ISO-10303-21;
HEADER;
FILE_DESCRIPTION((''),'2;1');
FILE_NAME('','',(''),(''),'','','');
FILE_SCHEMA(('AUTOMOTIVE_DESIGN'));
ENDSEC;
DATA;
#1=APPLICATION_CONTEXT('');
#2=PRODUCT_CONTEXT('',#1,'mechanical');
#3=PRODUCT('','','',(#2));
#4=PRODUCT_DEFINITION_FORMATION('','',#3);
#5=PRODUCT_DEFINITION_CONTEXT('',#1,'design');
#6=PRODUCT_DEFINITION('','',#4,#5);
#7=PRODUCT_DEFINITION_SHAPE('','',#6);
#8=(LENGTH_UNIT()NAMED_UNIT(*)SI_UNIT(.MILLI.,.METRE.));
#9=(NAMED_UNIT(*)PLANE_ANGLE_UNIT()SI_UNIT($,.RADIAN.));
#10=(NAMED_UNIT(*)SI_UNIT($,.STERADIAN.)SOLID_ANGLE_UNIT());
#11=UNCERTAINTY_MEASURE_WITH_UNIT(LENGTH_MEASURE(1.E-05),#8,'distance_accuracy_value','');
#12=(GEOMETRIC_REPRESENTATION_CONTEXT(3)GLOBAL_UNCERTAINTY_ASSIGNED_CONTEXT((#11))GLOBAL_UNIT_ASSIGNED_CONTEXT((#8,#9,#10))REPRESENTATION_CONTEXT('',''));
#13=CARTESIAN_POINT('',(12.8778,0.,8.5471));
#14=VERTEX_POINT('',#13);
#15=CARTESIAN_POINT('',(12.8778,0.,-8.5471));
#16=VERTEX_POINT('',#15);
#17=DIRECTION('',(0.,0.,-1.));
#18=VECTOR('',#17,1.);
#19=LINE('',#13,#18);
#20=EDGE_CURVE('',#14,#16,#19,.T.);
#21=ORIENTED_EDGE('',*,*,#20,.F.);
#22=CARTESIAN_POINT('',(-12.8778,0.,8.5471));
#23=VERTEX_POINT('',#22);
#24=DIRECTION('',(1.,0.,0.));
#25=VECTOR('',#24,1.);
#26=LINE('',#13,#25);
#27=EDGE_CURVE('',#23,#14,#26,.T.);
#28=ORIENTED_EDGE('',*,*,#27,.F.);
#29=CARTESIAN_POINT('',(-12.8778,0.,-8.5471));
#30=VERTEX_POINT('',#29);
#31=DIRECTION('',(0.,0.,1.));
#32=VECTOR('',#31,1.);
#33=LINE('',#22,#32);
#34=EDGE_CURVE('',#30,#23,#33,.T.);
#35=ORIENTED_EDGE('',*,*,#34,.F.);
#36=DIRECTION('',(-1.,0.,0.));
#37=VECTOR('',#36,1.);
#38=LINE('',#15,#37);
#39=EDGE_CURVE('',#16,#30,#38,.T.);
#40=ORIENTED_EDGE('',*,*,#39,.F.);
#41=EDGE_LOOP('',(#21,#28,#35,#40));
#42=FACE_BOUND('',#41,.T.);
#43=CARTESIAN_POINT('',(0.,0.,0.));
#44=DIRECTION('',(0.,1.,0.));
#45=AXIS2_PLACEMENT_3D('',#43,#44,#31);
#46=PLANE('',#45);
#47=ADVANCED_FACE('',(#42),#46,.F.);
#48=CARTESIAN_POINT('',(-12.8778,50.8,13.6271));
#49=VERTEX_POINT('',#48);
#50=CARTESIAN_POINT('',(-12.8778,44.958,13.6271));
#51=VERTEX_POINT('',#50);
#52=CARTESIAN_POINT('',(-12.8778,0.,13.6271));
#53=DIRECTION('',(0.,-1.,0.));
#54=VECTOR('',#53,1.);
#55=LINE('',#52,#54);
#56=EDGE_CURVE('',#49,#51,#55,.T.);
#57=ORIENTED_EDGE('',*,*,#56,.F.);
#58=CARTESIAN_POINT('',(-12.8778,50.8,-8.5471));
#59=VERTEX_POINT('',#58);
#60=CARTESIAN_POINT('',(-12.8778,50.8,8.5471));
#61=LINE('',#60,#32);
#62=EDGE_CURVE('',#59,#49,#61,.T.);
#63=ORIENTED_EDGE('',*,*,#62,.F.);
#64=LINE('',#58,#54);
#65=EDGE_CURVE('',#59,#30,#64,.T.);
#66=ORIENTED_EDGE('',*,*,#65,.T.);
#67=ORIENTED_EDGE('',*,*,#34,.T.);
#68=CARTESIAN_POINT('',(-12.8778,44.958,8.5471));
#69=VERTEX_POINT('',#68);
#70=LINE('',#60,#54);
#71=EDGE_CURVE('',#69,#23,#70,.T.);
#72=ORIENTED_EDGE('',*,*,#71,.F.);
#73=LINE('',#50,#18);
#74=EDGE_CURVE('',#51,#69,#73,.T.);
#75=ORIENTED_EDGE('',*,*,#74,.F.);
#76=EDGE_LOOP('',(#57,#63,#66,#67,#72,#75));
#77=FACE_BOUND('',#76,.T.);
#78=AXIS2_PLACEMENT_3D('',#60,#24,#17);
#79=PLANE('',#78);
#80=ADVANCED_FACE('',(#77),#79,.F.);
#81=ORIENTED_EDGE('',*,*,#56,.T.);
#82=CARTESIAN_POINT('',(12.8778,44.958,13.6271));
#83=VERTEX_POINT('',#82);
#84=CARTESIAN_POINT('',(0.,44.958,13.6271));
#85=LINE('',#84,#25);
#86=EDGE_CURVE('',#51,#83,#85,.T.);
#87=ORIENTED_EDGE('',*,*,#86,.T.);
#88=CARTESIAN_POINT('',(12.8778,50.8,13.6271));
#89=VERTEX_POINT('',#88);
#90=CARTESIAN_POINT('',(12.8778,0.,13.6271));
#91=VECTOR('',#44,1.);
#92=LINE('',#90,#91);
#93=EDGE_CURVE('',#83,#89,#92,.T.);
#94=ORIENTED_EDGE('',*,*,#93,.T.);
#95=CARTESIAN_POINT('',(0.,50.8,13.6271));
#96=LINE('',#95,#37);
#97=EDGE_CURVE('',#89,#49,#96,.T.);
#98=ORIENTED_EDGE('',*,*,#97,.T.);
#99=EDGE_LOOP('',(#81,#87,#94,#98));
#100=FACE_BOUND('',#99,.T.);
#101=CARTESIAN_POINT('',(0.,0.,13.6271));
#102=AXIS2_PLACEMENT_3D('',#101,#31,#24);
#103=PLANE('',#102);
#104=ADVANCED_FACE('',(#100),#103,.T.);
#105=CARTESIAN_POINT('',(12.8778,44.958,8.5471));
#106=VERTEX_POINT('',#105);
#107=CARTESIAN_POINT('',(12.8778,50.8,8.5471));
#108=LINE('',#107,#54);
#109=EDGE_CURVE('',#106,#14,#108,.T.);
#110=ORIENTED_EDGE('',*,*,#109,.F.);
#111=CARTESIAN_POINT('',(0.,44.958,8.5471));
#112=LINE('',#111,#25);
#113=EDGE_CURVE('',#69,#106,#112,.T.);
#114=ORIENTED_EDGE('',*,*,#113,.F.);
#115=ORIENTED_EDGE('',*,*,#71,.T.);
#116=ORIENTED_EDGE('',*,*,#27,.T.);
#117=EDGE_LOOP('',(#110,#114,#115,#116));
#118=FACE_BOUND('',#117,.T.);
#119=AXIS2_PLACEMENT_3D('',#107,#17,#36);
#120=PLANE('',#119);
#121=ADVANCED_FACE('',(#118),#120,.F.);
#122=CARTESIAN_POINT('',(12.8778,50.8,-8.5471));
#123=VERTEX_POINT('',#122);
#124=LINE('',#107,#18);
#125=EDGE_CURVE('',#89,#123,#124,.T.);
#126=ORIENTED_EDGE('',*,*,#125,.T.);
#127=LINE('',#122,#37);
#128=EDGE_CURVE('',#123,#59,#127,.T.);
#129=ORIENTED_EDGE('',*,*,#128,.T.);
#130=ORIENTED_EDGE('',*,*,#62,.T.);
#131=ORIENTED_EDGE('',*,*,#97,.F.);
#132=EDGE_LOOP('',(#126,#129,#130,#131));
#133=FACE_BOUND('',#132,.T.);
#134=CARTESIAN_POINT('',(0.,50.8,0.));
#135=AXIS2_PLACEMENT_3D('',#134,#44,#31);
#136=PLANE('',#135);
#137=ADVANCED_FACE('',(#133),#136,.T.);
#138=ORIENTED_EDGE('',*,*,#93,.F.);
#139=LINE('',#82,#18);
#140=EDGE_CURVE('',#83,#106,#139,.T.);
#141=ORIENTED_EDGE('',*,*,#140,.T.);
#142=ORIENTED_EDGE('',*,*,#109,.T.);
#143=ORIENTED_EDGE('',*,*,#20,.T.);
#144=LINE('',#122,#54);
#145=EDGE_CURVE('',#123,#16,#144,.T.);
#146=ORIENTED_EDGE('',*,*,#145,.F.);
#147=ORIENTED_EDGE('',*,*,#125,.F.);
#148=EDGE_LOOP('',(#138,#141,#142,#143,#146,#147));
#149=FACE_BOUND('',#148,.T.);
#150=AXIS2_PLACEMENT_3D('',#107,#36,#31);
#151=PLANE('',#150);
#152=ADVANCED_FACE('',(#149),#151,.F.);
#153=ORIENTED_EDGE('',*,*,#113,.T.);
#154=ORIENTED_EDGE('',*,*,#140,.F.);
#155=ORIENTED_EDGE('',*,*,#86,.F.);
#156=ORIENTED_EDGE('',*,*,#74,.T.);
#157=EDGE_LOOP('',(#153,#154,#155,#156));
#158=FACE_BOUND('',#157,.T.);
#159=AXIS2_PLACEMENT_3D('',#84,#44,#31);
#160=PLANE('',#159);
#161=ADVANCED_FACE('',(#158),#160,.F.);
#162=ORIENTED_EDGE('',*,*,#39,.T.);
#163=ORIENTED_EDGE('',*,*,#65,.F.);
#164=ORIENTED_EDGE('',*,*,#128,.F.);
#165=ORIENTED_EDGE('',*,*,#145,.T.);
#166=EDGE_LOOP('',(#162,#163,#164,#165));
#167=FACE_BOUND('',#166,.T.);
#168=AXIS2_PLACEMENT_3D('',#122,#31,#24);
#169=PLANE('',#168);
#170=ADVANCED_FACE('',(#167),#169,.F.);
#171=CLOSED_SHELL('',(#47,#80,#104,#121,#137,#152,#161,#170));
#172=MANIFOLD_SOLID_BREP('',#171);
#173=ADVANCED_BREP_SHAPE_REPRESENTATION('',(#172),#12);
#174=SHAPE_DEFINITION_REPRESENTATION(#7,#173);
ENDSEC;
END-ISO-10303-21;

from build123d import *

# Parameters (mm, degrees)
SKETCH1_W           = 25.7556
SKETCH1_H           = 17.0942
BOSS_EXTRUDE1_DEPTH = 50.8
SKETCH2_W           = 25.7556
SKETCH2_H           = 5.842
BOSS_EXTRUDE2_DEPTH = 5.08


with BuildPart() as part:
    # Sketch1 → Boss-Extrude1 (new body)
    with BuildSketch(Plane(origin=(0, 0, 0), x_dir=(1, 0, 0), z_dir=(0, 1, 0))):
        Rectangle(SKETCH1_W, SKETCH1_H)
    extrude(amount=BOSS_EXTRUDE1_DEPTH)

    # Sketch2 → Boss-Extrude2 (add)
    with BuildSketch(Plane.XY.offset(8.5471)):
        with Locations((0, 47.879)):
            Rectangle(SKETCH2_W, SKETCH2_H)
    extrude(amount=BOSS_EXTRUDE2_DEPTH)


solid = part.part
